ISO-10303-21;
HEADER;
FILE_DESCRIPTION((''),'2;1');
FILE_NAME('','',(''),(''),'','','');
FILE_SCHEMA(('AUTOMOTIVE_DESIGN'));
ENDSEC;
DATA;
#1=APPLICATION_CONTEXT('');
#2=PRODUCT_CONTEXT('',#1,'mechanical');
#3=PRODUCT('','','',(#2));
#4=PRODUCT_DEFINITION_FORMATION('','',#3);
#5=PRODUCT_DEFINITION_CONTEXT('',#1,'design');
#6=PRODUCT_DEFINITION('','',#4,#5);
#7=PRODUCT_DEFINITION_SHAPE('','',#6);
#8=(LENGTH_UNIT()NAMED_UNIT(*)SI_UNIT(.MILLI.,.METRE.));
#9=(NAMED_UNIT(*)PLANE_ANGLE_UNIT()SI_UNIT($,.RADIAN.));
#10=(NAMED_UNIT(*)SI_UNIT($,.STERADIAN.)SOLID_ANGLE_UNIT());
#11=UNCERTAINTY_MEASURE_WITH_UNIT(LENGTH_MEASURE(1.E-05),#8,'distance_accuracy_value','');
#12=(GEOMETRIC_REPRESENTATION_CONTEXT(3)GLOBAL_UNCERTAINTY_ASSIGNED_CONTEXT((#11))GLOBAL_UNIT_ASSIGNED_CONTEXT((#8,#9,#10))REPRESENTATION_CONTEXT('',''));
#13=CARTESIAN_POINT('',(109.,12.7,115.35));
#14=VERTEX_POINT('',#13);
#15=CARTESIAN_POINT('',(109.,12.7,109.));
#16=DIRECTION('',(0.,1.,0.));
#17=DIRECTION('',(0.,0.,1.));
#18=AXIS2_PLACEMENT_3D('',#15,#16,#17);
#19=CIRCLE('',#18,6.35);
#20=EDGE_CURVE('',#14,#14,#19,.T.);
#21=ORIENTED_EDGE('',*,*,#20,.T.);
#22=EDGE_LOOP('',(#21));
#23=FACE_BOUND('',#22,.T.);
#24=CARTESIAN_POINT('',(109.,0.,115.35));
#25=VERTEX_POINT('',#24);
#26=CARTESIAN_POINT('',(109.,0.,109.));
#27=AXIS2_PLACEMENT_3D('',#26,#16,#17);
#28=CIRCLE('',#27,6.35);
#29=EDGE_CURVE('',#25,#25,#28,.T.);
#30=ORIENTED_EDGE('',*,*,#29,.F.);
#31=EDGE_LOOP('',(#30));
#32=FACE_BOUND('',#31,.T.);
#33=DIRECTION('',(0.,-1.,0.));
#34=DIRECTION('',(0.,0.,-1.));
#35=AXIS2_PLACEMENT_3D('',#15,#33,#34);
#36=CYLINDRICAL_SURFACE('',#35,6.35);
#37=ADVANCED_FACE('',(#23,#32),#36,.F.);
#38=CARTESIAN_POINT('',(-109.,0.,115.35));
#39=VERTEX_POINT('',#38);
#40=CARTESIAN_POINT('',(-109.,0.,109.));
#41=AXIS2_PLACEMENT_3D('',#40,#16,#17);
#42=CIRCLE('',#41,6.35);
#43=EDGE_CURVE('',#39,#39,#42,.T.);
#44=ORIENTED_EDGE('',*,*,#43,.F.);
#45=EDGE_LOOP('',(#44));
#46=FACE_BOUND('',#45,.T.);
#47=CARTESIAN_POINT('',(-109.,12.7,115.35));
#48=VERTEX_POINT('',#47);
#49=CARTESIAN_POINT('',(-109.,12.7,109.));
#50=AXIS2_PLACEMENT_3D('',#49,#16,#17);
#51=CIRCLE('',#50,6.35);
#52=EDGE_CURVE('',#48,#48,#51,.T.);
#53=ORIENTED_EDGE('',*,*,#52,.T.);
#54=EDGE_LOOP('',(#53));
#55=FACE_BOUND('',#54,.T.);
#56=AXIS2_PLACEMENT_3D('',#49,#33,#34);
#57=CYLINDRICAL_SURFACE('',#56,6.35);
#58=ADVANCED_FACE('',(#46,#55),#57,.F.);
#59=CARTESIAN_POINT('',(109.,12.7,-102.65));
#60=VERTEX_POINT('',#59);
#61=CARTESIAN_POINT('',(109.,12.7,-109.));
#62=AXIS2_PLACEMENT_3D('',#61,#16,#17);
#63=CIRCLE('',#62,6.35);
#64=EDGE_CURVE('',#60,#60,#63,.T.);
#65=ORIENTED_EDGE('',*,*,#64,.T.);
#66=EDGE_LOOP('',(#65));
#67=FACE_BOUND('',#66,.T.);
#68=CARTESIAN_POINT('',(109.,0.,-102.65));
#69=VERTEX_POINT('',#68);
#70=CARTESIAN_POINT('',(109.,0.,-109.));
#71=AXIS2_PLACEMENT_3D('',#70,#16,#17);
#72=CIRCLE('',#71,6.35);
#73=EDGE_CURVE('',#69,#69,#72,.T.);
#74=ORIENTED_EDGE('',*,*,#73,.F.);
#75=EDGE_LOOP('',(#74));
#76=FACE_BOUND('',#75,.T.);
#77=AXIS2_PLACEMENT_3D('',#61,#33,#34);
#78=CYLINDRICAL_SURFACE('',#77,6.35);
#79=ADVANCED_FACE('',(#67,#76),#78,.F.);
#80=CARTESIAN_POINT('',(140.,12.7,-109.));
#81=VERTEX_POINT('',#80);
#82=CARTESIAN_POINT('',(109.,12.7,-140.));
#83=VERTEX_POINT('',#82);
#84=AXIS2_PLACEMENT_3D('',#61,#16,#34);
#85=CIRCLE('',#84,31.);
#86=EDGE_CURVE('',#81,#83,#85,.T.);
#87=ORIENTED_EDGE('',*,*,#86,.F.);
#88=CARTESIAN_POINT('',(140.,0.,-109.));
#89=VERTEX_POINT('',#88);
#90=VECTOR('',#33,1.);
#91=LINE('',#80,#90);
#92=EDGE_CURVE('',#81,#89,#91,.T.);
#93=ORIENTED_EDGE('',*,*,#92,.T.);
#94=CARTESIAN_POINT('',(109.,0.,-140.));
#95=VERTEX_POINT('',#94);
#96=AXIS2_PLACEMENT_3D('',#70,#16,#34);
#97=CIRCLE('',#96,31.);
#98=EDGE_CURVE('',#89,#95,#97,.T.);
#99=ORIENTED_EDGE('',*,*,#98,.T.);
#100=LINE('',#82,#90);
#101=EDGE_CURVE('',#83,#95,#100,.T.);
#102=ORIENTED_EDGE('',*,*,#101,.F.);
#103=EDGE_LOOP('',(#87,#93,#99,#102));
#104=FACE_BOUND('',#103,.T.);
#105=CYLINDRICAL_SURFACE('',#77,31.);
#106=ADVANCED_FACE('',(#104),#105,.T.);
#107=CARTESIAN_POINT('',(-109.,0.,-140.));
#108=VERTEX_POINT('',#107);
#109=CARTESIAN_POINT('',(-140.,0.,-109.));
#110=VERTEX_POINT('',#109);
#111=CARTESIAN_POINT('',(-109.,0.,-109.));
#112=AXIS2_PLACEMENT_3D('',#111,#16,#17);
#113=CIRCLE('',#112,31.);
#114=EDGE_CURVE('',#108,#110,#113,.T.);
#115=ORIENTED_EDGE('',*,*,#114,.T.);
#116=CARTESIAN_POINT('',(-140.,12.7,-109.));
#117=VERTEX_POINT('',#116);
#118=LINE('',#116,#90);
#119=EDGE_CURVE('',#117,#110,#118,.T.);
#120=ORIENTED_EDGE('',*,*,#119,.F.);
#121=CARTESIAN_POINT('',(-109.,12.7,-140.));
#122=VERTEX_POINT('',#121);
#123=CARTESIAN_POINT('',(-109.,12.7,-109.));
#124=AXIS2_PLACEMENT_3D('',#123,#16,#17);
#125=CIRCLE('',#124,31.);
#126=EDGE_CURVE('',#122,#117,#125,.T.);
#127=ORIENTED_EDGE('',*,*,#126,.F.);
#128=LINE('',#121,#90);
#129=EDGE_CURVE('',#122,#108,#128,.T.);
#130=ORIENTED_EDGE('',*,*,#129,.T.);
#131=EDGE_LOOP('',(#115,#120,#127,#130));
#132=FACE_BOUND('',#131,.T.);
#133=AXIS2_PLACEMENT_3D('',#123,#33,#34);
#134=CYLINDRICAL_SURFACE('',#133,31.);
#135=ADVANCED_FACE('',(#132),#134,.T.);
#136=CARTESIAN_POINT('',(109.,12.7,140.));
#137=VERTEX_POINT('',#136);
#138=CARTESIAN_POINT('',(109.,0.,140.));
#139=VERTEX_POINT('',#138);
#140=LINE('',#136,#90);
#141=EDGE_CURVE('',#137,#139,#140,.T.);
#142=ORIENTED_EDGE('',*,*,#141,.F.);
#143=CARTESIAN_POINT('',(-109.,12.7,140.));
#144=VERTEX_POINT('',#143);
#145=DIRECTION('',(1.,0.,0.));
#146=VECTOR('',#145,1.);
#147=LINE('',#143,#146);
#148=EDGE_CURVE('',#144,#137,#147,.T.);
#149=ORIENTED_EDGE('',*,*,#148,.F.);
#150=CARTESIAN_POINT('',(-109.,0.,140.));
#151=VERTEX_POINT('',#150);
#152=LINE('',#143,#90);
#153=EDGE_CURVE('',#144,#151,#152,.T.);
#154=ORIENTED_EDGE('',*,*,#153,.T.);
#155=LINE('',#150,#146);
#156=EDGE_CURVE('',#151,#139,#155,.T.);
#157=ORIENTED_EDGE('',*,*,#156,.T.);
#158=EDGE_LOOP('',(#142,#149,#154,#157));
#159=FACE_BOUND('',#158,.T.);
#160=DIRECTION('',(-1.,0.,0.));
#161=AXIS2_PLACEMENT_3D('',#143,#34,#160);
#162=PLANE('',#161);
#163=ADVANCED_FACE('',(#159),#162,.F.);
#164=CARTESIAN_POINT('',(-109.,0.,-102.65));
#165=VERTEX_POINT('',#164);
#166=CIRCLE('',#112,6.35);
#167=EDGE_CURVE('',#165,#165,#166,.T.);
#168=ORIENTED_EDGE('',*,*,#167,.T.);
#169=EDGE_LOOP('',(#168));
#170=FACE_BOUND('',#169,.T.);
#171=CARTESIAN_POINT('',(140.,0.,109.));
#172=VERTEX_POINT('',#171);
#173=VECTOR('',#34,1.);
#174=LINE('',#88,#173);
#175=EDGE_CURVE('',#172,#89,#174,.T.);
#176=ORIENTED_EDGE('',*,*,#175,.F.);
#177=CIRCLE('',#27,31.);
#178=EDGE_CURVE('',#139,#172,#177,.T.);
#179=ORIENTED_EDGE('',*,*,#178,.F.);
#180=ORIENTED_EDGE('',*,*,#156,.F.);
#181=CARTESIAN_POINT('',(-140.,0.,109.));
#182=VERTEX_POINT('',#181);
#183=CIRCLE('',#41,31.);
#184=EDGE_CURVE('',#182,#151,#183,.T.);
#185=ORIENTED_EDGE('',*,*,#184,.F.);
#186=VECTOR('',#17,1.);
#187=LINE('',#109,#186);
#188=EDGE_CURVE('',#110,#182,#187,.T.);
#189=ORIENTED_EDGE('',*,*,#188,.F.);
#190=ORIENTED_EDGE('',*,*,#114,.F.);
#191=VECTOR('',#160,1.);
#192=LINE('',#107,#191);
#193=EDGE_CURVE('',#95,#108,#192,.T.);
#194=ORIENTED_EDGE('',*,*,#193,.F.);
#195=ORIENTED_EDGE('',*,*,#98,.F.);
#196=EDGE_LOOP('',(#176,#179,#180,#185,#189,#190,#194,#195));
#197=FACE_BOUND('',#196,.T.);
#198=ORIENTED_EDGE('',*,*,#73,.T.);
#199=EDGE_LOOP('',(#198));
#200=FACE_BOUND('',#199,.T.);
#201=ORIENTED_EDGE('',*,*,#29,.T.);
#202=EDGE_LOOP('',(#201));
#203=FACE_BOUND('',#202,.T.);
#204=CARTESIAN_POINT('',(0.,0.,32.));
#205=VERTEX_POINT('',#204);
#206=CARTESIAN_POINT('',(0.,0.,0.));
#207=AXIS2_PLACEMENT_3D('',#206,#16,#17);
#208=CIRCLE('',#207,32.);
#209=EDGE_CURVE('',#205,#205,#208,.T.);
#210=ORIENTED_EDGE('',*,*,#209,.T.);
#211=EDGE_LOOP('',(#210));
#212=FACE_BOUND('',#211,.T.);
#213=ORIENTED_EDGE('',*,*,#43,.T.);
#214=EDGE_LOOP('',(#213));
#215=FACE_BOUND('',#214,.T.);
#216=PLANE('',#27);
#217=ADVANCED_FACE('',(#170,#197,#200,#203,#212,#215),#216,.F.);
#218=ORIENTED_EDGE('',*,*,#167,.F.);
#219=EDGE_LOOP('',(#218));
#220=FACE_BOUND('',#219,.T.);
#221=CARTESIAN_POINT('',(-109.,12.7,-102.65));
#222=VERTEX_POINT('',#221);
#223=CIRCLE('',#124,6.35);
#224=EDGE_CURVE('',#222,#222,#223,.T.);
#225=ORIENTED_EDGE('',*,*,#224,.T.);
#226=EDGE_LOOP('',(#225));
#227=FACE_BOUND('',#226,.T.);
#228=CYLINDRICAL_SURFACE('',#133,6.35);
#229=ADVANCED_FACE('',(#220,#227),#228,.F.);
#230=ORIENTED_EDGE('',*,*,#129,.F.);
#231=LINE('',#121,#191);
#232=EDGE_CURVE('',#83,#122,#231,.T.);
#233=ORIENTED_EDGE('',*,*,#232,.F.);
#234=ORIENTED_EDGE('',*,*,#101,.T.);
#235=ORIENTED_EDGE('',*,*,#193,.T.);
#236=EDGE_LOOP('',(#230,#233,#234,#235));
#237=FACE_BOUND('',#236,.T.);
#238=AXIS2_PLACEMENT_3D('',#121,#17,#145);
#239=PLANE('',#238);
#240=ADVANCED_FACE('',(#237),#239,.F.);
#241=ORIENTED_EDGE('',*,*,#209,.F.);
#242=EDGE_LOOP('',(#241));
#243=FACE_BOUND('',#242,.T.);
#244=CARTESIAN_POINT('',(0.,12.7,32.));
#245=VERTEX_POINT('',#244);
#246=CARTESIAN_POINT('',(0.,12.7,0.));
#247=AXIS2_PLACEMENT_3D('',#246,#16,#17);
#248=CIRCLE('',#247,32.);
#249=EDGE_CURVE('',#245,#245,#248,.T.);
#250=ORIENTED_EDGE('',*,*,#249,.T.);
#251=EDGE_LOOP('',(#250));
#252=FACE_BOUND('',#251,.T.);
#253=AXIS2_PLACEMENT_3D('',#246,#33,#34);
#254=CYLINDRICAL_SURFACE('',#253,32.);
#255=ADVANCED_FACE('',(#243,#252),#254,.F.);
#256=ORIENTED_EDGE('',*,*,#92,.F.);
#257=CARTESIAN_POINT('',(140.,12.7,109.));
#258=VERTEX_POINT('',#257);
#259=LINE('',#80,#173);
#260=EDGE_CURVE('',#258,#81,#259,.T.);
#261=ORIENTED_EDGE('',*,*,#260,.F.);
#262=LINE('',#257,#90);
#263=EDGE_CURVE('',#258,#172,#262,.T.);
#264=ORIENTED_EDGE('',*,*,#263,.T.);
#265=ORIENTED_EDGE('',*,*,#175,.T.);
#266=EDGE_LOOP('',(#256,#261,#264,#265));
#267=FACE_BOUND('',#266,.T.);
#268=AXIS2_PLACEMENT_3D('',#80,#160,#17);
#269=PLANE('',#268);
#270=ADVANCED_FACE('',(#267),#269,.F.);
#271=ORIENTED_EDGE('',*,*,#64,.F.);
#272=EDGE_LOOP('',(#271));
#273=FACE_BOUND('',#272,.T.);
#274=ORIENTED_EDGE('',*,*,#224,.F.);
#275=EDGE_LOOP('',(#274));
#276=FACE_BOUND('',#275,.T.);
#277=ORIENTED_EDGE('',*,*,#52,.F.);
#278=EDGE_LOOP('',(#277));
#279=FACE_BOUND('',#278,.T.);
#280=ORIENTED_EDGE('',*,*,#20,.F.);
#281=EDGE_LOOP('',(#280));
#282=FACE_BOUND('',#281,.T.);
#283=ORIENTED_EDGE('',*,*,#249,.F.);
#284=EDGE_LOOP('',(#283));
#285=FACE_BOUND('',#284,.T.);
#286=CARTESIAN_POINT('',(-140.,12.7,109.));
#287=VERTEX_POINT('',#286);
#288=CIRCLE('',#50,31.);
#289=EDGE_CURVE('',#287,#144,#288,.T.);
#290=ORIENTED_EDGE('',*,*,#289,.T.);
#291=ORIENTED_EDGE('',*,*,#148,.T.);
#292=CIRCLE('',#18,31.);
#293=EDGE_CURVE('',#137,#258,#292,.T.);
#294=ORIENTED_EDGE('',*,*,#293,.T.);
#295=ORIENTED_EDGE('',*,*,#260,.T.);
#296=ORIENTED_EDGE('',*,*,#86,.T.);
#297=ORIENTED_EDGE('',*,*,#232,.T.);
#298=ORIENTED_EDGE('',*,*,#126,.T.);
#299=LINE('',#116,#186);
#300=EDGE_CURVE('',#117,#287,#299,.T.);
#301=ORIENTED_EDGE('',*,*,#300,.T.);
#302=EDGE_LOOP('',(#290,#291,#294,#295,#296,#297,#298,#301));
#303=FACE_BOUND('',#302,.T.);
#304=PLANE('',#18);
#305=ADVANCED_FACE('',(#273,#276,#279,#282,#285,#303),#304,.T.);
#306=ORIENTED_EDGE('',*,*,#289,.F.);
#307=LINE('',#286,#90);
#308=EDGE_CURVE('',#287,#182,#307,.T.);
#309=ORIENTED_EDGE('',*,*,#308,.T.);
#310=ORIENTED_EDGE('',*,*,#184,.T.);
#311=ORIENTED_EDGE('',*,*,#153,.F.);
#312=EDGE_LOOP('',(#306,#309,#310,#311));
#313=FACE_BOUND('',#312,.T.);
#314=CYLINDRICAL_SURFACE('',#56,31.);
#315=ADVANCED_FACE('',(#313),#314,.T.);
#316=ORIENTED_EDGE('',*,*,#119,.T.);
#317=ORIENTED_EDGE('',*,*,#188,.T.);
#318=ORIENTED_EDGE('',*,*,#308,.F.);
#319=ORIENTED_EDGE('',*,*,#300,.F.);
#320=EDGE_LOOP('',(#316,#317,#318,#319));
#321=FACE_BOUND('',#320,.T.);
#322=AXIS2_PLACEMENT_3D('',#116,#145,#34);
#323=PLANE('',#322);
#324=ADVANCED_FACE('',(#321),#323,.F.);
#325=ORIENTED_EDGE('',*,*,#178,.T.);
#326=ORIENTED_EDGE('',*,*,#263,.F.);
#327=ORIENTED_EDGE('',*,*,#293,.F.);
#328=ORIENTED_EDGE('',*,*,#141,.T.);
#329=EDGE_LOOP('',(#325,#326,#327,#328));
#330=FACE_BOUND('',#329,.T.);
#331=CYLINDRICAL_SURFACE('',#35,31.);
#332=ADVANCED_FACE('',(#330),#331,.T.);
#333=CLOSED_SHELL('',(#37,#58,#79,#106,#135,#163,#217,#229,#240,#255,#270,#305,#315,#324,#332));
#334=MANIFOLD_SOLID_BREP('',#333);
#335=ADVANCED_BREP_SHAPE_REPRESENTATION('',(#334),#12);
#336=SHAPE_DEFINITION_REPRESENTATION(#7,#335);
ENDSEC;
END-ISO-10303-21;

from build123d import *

# Parameters (mm, degrees)
CROQUIS1_R              = 32
CROQUIS1_R_2            = 6.35
SALIENTE_EXTRUIR1_DEPTH = 12.7


with BuildPart() as part:
    # Croquis1 → Saliente-Extruir1 (new body)
    with BuildSketch(Plane(origin=(0, 0, 0), x_dir=(1, 0, 0), z_dir=(0, 1, 0))):
        with BuildLine():
            Line((-109, 140), (109, 140))
            ThreePointArc((109, 140), (130.920310217, 130.920310217), (140, 109))
            Line((140, 109), (140, -109))
            ThreePointArc((140, -109), (130.920310217, -130.920310217), (109, -140))
            Line((109, -140), (-109, -140))
            ThreePointArc((-109, -140), (-130.920310217, -130.920310217), (-140, -109))
            Line((-140, -109), (-140, 109))
            ThreePointArc((-140, 109), (-130.920310217, 130.920310217), (-109, 140))
        make_face()
        Circle(CROQUIS1_R, mode=Mode.SUBTRACT)
        with Locations((-109, 109)):
            Circle(CROQUIS1_R_2, mode=Mode.SUBTRACT)
        with Locations((109, 109)):
            Circle(CROQUIS1_R_2, mode=Mode.SUBTRACT)
        with Locations((109, -109)):
            Circle(CROQUIS1_R_2, mode=Mode.SUBTRACT)
        with Locations((-109, -109)):
            Circle(CROQUIS1_R_2, mode=Mode.SUBTRACT)
    extrude(amount=SALIENTE_EXTRUIR1_DEPTH)


solid = part.part
